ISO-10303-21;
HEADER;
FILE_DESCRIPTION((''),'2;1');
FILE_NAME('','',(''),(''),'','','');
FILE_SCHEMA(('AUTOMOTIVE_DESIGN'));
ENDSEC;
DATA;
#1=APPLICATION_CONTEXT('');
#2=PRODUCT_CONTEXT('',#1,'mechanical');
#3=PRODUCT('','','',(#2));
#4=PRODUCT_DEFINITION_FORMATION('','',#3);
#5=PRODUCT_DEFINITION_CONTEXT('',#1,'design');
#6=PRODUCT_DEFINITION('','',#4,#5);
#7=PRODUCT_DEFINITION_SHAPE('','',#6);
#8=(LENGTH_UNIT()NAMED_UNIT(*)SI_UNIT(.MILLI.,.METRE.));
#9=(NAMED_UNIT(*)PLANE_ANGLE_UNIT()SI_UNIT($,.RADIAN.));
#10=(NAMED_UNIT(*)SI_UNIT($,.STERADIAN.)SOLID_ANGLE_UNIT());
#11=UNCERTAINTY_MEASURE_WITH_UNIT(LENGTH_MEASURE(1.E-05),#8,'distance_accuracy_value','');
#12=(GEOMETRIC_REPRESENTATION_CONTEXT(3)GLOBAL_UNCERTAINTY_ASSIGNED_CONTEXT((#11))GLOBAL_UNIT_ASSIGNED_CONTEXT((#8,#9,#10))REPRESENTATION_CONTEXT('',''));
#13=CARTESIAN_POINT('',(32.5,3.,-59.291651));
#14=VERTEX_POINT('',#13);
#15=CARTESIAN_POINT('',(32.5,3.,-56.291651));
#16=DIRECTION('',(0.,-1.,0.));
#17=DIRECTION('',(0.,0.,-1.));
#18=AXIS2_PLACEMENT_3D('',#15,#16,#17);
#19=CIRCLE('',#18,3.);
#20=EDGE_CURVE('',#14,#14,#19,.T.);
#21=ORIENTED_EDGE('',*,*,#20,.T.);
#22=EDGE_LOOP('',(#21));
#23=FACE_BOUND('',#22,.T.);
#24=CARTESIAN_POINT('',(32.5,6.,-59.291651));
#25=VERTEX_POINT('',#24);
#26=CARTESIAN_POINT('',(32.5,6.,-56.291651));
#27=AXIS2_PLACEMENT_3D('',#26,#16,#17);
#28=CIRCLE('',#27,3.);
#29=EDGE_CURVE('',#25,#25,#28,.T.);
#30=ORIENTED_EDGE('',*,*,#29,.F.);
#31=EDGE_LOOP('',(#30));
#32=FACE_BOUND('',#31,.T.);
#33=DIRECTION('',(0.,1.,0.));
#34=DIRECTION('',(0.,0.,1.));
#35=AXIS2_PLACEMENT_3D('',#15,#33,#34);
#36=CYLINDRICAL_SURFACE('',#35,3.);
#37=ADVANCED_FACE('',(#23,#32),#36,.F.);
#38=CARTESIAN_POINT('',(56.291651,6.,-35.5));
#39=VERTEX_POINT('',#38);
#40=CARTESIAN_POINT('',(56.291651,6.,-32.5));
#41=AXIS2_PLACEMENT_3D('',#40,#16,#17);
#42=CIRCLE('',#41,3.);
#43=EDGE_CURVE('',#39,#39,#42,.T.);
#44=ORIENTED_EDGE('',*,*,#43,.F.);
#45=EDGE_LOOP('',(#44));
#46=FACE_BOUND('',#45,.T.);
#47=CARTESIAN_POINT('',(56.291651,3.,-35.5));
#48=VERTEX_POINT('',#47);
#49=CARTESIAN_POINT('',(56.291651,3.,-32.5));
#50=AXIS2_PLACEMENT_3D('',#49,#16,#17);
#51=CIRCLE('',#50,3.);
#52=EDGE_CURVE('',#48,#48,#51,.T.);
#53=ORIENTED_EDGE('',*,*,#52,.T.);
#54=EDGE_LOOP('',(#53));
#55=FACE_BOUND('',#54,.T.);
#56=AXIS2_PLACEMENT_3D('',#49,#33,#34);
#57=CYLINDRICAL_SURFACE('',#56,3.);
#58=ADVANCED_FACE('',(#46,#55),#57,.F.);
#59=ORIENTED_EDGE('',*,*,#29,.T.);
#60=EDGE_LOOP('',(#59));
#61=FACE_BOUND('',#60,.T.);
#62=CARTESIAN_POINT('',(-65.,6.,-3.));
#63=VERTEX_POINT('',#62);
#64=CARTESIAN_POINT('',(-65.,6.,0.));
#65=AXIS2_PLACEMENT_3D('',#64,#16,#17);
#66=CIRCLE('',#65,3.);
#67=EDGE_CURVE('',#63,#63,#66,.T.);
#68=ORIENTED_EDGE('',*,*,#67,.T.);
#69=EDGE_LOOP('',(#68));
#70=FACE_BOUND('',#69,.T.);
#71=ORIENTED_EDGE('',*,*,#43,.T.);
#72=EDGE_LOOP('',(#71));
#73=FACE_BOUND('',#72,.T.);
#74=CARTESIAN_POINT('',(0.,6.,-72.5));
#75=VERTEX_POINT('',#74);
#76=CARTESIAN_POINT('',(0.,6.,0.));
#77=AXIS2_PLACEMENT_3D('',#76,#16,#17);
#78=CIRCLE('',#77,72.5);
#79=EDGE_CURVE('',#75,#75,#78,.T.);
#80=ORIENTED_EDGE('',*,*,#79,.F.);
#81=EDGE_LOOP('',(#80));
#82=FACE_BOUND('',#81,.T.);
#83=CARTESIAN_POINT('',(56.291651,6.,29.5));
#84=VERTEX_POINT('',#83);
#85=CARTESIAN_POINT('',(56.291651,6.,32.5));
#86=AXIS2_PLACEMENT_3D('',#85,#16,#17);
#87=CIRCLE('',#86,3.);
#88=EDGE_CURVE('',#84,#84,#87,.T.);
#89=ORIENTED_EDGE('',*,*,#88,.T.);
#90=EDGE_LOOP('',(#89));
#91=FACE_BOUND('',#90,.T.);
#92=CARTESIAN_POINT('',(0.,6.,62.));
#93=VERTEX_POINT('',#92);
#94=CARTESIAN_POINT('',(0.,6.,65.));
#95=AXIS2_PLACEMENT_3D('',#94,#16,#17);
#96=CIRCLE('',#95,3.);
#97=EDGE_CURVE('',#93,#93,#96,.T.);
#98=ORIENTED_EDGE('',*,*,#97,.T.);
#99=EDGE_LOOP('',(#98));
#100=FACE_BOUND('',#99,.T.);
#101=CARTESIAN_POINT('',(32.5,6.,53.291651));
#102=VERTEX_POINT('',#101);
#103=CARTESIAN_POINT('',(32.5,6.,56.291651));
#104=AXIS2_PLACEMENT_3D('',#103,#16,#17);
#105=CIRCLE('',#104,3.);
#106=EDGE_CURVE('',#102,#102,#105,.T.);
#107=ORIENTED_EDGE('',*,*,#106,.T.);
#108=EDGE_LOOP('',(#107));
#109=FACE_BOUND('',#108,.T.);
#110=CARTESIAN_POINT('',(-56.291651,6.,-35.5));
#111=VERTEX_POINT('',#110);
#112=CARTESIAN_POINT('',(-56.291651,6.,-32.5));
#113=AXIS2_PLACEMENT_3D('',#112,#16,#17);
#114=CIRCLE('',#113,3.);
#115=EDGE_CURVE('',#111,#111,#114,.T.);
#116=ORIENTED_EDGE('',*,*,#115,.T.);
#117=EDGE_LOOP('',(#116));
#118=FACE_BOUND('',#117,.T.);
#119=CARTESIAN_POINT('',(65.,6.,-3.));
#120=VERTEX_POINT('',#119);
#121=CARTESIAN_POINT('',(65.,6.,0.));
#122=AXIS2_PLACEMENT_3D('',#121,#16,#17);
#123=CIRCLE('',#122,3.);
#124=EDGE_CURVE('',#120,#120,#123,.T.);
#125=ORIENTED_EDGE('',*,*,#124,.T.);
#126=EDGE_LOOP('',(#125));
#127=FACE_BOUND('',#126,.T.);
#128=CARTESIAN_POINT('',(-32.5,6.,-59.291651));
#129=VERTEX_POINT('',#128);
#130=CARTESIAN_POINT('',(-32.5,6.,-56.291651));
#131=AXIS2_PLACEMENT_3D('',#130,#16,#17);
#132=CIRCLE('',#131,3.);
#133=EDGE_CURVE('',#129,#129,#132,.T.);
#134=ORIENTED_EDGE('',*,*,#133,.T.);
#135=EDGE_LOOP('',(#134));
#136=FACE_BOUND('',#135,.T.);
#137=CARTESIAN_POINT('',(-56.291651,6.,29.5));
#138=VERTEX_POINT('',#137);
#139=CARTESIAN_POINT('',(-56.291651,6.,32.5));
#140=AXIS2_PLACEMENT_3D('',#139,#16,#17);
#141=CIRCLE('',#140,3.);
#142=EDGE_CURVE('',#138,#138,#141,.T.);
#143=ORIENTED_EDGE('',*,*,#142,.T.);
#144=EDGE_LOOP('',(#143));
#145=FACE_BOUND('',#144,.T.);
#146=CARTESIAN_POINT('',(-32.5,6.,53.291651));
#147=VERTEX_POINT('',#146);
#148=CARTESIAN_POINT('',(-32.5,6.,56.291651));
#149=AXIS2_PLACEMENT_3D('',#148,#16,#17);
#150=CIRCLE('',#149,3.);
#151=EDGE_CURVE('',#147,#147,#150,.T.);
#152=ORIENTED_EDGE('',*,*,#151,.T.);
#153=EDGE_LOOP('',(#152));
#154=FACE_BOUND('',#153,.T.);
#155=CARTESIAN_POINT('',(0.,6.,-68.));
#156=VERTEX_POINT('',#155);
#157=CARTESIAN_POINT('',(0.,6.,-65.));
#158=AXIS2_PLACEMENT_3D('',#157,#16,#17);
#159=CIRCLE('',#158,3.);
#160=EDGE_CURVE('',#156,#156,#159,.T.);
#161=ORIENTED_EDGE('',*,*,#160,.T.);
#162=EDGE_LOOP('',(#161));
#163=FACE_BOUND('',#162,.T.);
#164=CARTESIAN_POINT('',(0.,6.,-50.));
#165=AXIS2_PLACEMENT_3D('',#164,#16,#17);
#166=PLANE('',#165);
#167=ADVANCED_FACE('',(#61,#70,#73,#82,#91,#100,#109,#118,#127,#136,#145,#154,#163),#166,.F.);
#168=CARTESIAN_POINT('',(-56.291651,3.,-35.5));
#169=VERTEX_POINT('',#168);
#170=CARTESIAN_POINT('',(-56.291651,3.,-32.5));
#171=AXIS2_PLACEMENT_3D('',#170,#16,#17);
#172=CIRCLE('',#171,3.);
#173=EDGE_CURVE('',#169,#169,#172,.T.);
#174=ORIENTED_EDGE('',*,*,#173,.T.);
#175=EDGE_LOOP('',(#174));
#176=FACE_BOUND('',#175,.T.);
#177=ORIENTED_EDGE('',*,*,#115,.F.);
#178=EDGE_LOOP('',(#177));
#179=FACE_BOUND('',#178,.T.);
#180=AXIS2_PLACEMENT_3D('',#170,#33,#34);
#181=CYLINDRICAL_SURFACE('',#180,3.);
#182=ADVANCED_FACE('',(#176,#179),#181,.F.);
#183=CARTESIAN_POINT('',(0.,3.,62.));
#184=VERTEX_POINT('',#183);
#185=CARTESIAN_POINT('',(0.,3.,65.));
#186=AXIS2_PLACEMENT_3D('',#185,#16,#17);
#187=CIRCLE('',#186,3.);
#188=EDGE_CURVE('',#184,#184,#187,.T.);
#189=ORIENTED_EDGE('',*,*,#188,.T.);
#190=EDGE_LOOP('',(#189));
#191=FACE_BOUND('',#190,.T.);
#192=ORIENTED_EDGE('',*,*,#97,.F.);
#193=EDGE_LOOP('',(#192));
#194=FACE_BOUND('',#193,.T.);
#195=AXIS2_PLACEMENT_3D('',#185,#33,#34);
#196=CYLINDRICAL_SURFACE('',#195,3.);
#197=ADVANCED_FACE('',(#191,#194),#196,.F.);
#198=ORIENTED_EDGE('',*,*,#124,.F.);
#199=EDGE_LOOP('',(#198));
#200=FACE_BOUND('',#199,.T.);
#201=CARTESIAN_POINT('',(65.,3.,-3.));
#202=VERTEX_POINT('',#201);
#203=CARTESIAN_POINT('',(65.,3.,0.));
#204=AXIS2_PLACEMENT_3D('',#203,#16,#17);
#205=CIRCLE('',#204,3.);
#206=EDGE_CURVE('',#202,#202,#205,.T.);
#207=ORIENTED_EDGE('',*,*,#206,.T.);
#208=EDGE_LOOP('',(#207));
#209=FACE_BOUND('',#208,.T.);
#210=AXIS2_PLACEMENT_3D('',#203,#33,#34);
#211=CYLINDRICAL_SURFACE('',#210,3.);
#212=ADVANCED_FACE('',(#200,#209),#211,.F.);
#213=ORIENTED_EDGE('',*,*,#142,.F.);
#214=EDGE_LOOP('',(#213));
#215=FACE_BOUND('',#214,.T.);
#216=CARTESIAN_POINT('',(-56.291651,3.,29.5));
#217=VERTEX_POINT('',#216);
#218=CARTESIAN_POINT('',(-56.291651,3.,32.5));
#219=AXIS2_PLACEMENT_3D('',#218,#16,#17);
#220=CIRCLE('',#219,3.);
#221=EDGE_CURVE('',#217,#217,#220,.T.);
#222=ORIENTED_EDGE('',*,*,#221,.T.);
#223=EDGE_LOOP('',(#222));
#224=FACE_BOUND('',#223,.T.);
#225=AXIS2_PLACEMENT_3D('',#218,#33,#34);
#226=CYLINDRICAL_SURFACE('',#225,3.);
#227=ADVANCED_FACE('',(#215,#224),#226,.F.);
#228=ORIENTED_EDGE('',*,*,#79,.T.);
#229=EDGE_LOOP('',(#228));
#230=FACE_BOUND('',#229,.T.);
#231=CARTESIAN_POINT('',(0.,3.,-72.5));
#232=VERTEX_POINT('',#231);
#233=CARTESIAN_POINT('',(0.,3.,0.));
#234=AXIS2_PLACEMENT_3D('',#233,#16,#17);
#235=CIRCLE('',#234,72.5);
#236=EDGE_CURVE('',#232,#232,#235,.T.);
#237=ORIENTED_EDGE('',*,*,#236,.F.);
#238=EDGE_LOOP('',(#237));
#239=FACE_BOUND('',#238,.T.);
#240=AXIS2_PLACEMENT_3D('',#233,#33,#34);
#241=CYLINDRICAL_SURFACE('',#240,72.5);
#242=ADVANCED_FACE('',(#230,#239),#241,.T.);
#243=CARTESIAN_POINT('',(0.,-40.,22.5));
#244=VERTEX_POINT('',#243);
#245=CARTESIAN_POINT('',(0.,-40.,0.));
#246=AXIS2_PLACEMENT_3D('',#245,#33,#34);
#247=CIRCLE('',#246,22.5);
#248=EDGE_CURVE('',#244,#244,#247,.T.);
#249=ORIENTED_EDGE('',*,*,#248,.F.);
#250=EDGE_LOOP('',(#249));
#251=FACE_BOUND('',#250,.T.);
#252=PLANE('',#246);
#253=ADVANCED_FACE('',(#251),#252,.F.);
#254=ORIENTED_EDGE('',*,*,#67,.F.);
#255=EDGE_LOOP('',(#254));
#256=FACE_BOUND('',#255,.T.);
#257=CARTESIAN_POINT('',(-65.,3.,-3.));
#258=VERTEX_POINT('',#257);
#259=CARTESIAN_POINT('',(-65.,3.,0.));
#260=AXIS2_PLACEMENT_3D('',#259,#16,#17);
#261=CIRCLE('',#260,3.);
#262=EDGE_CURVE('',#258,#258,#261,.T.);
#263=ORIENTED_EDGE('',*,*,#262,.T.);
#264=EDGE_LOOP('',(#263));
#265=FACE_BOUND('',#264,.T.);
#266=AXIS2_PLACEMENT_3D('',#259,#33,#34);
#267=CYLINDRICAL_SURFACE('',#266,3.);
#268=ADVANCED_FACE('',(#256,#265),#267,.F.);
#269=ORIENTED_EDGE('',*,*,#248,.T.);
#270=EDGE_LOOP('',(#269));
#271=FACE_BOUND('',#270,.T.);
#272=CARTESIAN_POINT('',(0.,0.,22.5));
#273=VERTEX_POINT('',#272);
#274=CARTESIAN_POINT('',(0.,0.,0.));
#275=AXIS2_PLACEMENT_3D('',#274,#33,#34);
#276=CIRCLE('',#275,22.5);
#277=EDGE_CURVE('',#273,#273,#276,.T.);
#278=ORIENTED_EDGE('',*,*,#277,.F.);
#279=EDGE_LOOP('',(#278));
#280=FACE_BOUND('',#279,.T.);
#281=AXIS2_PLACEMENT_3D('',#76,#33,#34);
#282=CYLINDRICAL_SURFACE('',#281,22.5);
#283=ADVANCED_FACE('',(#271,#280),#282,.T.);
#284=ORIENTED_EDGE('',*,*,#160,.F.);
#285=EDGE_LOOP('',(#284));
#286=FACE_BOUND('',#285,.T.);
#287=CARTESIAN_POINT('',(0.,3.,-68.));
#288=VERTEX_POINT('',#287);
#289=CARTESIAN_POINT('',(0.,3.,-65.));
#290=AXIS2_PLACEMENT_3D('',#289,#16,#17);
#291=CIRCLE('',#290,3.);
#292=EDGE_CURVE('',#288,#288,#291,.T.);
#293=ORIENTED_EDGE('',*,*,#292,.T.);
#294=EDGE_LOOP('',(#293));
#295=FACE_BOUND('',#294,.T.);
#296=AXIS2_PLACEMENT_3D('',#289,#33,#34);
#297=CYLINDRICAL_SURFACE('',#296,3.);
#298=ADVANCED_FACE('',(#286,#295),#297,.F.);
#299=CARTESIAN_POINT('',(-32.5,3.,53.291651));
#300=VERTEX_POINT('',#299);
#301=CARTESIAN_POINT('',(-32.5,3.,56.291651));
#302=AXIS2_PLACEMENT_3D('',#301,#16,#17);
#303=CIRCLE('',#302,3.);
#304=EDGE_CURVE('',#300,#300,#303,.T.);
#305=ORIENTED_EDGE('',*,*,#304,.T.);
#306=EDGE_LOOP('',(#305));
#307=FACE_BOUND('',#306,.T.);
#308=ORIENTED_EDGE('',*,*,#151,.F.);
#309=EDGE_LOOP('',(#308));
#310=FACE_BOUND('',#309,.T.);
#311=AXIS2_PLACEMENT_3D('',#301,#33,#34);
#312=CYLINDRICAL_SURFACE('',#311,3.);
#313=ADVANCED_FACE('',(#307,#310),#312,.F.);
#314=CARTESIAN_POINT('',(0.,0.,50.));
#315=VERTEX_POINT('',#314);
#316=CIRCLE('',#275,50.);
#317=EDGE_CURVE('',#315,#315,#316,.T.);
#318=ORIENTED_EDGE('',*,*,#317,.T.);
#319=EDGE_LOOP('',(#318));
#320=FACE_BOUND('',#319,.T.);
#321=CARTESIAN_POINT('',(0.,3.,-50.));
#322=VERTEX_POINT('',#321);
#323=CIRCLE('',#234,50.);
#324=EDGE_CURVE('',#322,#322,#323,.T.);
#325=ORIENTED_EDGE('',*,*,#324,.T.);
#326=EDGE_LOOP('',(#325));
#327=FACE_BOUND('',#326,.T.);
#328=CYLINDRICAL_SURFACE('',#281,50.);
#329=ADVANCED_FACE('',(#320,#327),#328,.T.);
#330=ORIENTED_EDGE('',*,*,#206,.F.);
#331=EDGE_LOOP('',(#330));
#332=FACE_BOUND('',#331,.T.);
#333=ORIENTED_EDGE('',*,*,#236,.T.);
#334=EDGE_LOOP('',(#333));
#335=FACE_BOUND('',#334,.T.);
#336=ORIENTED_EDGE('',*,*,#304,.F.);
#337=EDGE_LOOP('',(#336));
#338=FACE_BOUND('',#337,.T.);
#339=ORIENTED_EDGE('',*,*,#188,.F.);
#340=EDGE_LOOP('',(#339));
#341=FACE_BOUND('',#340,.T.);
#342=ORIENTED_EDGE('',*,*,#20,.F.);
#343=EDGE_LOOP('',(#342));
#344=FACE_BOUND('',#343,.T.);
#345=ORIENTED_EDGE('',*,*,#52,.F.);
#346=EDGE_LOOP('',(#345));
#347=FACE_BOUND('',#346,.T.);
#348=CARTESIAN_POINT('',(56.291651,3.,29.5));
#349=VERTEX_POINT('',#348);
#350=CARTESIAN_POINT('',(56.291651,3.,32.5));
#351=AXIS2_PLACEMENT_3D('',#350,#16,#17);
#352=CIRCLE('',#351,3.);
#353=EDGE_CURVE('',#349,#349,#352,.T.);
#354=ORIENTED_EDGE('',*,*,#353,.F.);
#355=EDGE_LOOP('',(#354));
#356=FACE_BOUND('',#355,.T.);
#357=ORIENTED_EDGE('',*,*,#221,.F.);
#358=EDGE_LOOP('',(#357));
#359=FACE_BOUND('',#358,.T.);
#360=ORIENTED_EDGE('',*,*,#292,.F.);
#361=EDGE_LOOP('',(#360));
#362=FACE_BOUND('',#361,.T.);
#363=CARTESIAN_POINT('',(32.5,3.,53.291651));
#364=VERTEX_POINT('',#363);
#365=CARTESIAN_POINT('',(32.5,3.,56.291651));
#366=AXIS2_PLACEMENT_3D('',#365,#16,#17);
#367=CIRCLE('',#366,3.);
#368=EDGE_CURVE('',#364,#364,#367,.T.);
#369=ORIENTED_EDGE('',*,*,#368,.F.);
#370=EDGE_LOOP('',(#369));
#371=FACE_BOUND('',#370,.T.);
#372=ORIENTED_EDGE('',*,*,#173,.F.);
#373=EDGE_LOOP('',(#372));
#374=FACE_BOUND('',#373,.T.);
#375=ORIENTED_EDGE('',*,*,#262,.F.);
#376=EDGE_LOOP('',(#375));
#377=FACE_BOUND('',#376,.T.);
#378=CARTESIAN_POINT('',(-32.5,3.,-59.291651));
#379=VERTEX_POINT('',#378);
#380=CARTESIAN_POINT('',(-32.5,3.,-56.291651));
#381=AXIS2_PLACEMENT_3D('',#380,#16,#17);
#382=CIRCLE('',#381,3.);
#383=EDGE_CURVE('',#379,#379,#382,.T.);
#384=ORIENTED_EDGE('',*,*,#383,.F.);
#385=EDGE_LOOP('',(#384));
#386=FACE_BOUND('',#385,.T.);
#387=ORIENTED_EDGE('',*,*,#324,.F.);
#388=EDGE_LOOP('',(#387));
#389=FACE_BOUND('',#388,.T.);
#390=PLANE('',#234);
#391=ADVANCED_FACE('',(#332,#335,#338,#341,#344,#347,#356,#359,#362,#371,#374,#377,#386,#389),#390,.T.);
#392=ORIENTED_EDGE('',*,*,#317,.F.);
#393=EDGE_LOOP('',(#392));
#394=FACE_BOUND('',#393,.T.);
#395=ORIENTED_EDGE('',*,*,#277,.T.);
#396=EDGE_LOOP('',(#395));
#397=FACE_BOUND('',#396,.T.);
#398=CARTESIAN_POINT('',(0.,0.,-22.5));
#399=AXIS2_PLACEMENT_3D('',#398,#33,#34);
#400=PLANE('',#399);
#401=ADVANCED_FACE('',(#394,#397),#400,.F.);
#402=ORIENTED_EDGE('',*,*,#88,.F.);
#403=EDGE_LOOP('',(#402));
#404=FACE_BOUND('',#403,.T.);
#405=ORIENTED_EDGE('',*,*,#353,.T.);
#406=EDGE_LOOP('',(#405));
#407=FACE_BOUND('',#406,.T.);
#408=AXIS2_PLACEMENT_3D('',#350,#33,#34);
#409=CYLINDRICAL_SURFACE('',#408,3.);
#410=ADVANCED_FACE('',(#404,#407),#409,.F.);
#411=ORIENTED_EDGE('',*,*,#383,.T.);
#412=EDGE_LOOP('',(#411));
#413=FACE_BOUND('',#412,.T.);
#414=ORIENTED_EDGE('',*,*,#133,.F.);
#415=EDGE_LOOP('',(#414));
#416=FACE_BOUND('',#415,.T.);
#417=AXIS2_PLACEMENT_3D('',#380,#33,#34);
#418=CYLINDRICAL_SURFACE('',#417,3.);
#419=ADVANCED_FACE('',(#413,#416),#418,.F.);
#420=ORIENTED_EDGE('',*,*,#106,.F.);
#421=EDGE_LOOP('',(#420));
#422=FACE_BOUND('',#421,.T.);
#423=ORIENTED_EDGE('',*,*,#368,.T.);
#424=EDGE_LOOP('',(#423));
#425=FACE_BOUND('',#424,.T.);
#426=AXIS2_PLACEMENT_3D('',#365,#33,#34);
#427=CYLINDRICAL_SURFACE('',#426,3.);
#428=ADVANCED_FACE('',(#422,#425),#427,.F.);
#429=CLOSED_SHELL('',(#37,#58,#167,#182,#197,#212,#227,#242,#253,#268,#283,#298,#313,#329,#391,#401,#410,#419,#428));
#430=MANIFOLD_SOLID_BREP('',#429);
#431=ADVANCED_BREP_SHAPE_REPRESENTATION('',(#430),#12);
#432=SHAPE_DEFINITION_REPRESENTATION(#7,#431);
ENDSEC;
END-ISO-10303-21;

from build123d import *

# Parameters (mm, degrees)
BOSS_EXTRUDE1_START = 6
SKETCH2_R           = 72.5
SKETCH2_R_2         = 3
BOSS_EXTRUDE1_DEPTH = 3


with BuildPart() as part:
    # Sketch1 → Revolve1 (revolve)
    with BuildSketch(Plane(origin=(0, 0, 0), x_dir=(0, 0, -1), z_dir=(1, 0, 0)), mode=Mode.PRIVATE) as revolve1_sk:
        Polygon((0, 0), (0, -40), (22.5, -40), (22.5, 0), (50, 0), (50, 6), (0, 6), align=None)
    revolve(revolve1_sk.sketch.rotate(Axis((0, 6, 0), (0, -1, 0)), 180), axis=Axis((0, 6, 0), (0, -1, 0)))

    # Sketch2 → Boss-Extrude1 (add)
    with BuildSketch(Plane(origin=(0, 0, 0), x_dir=(1, 0, 0), z_dir=(0, 1, 0)).offset(BOSS_EXTRUDE1_START)):
        with Locations(Location((0, 0, 0), (0, 0, 90))):
            Circle(SKETCH2_R)
        with Locations(Location((0, -65, 0), (0, 0, 90))):
            Circle(SKETCH2_R_2, mode=Mode.SUBTRACT)
        with Locations(Location((-32.5, -56.291651246, 0), (0, 0, 90))):
            Circle(SKETCH2_R_2, mode=Mode.SUBTRACT)
        with Locations(Location((-56.291651246, -32.5, 0), (0, 0, 90))):
            Circle(SKETCH2_R_2, mode=Mode.SUBTRACT)
        with Locations(Location((-65, 0, 0), (0, 0, 90))):
            Circle(SKETCH2_R_2, mode=Mode.SUBTRACT)
        with Locations(Location((-56.291651246, 32.5, 0), (0, 0, 90))):
            Circle(SKETCH2_R_2, mode=Mode.SUBTRACT)
        with Locations(Location((-32.5, 56.291651246, 0), (0, 0, 90))):
            Circle(SKETCH2_R_2, mode=Mode.SUBTRACT)
        with Locations(Location((0, 65, 0), (0, 0, 90))):
            Circle(SKETCH2_R_2, mode=Mode.SUBTRACT)
        with Locations(Location((32.5, 56.291651246, 0), (0, 0, 90))):
            Circle(SKETCH2_R_2, mode=Mode.SUBTRACT)
        with Locations(Location((56.291651246, 32.5, 0), (0, 0, 90))):
            Circle(SKETCH2_R_2, mode=Mode.SUBTRACT)
        with Locations(Location((65, 0, 0), (0, 0, 90))):
            Circle(SKETCH2_R_2, mode=Mode.SUBTRACT)
        with Locations(Location((56.291651246, -32.5, 0), (0, 0, 90))):
            Circle(SKETCH2_R_2, mode=Mode.SUBTRACT)
        with Locations(Location((32.5, -56.291651246, 0), (0, 0, 90))):
            Circle(SKETCH2_R_2, mode=Mode.SUBTRACT)
    extrude(amount=-BOSS_EXTRUDE1_DEPTH)


solid = part.part
